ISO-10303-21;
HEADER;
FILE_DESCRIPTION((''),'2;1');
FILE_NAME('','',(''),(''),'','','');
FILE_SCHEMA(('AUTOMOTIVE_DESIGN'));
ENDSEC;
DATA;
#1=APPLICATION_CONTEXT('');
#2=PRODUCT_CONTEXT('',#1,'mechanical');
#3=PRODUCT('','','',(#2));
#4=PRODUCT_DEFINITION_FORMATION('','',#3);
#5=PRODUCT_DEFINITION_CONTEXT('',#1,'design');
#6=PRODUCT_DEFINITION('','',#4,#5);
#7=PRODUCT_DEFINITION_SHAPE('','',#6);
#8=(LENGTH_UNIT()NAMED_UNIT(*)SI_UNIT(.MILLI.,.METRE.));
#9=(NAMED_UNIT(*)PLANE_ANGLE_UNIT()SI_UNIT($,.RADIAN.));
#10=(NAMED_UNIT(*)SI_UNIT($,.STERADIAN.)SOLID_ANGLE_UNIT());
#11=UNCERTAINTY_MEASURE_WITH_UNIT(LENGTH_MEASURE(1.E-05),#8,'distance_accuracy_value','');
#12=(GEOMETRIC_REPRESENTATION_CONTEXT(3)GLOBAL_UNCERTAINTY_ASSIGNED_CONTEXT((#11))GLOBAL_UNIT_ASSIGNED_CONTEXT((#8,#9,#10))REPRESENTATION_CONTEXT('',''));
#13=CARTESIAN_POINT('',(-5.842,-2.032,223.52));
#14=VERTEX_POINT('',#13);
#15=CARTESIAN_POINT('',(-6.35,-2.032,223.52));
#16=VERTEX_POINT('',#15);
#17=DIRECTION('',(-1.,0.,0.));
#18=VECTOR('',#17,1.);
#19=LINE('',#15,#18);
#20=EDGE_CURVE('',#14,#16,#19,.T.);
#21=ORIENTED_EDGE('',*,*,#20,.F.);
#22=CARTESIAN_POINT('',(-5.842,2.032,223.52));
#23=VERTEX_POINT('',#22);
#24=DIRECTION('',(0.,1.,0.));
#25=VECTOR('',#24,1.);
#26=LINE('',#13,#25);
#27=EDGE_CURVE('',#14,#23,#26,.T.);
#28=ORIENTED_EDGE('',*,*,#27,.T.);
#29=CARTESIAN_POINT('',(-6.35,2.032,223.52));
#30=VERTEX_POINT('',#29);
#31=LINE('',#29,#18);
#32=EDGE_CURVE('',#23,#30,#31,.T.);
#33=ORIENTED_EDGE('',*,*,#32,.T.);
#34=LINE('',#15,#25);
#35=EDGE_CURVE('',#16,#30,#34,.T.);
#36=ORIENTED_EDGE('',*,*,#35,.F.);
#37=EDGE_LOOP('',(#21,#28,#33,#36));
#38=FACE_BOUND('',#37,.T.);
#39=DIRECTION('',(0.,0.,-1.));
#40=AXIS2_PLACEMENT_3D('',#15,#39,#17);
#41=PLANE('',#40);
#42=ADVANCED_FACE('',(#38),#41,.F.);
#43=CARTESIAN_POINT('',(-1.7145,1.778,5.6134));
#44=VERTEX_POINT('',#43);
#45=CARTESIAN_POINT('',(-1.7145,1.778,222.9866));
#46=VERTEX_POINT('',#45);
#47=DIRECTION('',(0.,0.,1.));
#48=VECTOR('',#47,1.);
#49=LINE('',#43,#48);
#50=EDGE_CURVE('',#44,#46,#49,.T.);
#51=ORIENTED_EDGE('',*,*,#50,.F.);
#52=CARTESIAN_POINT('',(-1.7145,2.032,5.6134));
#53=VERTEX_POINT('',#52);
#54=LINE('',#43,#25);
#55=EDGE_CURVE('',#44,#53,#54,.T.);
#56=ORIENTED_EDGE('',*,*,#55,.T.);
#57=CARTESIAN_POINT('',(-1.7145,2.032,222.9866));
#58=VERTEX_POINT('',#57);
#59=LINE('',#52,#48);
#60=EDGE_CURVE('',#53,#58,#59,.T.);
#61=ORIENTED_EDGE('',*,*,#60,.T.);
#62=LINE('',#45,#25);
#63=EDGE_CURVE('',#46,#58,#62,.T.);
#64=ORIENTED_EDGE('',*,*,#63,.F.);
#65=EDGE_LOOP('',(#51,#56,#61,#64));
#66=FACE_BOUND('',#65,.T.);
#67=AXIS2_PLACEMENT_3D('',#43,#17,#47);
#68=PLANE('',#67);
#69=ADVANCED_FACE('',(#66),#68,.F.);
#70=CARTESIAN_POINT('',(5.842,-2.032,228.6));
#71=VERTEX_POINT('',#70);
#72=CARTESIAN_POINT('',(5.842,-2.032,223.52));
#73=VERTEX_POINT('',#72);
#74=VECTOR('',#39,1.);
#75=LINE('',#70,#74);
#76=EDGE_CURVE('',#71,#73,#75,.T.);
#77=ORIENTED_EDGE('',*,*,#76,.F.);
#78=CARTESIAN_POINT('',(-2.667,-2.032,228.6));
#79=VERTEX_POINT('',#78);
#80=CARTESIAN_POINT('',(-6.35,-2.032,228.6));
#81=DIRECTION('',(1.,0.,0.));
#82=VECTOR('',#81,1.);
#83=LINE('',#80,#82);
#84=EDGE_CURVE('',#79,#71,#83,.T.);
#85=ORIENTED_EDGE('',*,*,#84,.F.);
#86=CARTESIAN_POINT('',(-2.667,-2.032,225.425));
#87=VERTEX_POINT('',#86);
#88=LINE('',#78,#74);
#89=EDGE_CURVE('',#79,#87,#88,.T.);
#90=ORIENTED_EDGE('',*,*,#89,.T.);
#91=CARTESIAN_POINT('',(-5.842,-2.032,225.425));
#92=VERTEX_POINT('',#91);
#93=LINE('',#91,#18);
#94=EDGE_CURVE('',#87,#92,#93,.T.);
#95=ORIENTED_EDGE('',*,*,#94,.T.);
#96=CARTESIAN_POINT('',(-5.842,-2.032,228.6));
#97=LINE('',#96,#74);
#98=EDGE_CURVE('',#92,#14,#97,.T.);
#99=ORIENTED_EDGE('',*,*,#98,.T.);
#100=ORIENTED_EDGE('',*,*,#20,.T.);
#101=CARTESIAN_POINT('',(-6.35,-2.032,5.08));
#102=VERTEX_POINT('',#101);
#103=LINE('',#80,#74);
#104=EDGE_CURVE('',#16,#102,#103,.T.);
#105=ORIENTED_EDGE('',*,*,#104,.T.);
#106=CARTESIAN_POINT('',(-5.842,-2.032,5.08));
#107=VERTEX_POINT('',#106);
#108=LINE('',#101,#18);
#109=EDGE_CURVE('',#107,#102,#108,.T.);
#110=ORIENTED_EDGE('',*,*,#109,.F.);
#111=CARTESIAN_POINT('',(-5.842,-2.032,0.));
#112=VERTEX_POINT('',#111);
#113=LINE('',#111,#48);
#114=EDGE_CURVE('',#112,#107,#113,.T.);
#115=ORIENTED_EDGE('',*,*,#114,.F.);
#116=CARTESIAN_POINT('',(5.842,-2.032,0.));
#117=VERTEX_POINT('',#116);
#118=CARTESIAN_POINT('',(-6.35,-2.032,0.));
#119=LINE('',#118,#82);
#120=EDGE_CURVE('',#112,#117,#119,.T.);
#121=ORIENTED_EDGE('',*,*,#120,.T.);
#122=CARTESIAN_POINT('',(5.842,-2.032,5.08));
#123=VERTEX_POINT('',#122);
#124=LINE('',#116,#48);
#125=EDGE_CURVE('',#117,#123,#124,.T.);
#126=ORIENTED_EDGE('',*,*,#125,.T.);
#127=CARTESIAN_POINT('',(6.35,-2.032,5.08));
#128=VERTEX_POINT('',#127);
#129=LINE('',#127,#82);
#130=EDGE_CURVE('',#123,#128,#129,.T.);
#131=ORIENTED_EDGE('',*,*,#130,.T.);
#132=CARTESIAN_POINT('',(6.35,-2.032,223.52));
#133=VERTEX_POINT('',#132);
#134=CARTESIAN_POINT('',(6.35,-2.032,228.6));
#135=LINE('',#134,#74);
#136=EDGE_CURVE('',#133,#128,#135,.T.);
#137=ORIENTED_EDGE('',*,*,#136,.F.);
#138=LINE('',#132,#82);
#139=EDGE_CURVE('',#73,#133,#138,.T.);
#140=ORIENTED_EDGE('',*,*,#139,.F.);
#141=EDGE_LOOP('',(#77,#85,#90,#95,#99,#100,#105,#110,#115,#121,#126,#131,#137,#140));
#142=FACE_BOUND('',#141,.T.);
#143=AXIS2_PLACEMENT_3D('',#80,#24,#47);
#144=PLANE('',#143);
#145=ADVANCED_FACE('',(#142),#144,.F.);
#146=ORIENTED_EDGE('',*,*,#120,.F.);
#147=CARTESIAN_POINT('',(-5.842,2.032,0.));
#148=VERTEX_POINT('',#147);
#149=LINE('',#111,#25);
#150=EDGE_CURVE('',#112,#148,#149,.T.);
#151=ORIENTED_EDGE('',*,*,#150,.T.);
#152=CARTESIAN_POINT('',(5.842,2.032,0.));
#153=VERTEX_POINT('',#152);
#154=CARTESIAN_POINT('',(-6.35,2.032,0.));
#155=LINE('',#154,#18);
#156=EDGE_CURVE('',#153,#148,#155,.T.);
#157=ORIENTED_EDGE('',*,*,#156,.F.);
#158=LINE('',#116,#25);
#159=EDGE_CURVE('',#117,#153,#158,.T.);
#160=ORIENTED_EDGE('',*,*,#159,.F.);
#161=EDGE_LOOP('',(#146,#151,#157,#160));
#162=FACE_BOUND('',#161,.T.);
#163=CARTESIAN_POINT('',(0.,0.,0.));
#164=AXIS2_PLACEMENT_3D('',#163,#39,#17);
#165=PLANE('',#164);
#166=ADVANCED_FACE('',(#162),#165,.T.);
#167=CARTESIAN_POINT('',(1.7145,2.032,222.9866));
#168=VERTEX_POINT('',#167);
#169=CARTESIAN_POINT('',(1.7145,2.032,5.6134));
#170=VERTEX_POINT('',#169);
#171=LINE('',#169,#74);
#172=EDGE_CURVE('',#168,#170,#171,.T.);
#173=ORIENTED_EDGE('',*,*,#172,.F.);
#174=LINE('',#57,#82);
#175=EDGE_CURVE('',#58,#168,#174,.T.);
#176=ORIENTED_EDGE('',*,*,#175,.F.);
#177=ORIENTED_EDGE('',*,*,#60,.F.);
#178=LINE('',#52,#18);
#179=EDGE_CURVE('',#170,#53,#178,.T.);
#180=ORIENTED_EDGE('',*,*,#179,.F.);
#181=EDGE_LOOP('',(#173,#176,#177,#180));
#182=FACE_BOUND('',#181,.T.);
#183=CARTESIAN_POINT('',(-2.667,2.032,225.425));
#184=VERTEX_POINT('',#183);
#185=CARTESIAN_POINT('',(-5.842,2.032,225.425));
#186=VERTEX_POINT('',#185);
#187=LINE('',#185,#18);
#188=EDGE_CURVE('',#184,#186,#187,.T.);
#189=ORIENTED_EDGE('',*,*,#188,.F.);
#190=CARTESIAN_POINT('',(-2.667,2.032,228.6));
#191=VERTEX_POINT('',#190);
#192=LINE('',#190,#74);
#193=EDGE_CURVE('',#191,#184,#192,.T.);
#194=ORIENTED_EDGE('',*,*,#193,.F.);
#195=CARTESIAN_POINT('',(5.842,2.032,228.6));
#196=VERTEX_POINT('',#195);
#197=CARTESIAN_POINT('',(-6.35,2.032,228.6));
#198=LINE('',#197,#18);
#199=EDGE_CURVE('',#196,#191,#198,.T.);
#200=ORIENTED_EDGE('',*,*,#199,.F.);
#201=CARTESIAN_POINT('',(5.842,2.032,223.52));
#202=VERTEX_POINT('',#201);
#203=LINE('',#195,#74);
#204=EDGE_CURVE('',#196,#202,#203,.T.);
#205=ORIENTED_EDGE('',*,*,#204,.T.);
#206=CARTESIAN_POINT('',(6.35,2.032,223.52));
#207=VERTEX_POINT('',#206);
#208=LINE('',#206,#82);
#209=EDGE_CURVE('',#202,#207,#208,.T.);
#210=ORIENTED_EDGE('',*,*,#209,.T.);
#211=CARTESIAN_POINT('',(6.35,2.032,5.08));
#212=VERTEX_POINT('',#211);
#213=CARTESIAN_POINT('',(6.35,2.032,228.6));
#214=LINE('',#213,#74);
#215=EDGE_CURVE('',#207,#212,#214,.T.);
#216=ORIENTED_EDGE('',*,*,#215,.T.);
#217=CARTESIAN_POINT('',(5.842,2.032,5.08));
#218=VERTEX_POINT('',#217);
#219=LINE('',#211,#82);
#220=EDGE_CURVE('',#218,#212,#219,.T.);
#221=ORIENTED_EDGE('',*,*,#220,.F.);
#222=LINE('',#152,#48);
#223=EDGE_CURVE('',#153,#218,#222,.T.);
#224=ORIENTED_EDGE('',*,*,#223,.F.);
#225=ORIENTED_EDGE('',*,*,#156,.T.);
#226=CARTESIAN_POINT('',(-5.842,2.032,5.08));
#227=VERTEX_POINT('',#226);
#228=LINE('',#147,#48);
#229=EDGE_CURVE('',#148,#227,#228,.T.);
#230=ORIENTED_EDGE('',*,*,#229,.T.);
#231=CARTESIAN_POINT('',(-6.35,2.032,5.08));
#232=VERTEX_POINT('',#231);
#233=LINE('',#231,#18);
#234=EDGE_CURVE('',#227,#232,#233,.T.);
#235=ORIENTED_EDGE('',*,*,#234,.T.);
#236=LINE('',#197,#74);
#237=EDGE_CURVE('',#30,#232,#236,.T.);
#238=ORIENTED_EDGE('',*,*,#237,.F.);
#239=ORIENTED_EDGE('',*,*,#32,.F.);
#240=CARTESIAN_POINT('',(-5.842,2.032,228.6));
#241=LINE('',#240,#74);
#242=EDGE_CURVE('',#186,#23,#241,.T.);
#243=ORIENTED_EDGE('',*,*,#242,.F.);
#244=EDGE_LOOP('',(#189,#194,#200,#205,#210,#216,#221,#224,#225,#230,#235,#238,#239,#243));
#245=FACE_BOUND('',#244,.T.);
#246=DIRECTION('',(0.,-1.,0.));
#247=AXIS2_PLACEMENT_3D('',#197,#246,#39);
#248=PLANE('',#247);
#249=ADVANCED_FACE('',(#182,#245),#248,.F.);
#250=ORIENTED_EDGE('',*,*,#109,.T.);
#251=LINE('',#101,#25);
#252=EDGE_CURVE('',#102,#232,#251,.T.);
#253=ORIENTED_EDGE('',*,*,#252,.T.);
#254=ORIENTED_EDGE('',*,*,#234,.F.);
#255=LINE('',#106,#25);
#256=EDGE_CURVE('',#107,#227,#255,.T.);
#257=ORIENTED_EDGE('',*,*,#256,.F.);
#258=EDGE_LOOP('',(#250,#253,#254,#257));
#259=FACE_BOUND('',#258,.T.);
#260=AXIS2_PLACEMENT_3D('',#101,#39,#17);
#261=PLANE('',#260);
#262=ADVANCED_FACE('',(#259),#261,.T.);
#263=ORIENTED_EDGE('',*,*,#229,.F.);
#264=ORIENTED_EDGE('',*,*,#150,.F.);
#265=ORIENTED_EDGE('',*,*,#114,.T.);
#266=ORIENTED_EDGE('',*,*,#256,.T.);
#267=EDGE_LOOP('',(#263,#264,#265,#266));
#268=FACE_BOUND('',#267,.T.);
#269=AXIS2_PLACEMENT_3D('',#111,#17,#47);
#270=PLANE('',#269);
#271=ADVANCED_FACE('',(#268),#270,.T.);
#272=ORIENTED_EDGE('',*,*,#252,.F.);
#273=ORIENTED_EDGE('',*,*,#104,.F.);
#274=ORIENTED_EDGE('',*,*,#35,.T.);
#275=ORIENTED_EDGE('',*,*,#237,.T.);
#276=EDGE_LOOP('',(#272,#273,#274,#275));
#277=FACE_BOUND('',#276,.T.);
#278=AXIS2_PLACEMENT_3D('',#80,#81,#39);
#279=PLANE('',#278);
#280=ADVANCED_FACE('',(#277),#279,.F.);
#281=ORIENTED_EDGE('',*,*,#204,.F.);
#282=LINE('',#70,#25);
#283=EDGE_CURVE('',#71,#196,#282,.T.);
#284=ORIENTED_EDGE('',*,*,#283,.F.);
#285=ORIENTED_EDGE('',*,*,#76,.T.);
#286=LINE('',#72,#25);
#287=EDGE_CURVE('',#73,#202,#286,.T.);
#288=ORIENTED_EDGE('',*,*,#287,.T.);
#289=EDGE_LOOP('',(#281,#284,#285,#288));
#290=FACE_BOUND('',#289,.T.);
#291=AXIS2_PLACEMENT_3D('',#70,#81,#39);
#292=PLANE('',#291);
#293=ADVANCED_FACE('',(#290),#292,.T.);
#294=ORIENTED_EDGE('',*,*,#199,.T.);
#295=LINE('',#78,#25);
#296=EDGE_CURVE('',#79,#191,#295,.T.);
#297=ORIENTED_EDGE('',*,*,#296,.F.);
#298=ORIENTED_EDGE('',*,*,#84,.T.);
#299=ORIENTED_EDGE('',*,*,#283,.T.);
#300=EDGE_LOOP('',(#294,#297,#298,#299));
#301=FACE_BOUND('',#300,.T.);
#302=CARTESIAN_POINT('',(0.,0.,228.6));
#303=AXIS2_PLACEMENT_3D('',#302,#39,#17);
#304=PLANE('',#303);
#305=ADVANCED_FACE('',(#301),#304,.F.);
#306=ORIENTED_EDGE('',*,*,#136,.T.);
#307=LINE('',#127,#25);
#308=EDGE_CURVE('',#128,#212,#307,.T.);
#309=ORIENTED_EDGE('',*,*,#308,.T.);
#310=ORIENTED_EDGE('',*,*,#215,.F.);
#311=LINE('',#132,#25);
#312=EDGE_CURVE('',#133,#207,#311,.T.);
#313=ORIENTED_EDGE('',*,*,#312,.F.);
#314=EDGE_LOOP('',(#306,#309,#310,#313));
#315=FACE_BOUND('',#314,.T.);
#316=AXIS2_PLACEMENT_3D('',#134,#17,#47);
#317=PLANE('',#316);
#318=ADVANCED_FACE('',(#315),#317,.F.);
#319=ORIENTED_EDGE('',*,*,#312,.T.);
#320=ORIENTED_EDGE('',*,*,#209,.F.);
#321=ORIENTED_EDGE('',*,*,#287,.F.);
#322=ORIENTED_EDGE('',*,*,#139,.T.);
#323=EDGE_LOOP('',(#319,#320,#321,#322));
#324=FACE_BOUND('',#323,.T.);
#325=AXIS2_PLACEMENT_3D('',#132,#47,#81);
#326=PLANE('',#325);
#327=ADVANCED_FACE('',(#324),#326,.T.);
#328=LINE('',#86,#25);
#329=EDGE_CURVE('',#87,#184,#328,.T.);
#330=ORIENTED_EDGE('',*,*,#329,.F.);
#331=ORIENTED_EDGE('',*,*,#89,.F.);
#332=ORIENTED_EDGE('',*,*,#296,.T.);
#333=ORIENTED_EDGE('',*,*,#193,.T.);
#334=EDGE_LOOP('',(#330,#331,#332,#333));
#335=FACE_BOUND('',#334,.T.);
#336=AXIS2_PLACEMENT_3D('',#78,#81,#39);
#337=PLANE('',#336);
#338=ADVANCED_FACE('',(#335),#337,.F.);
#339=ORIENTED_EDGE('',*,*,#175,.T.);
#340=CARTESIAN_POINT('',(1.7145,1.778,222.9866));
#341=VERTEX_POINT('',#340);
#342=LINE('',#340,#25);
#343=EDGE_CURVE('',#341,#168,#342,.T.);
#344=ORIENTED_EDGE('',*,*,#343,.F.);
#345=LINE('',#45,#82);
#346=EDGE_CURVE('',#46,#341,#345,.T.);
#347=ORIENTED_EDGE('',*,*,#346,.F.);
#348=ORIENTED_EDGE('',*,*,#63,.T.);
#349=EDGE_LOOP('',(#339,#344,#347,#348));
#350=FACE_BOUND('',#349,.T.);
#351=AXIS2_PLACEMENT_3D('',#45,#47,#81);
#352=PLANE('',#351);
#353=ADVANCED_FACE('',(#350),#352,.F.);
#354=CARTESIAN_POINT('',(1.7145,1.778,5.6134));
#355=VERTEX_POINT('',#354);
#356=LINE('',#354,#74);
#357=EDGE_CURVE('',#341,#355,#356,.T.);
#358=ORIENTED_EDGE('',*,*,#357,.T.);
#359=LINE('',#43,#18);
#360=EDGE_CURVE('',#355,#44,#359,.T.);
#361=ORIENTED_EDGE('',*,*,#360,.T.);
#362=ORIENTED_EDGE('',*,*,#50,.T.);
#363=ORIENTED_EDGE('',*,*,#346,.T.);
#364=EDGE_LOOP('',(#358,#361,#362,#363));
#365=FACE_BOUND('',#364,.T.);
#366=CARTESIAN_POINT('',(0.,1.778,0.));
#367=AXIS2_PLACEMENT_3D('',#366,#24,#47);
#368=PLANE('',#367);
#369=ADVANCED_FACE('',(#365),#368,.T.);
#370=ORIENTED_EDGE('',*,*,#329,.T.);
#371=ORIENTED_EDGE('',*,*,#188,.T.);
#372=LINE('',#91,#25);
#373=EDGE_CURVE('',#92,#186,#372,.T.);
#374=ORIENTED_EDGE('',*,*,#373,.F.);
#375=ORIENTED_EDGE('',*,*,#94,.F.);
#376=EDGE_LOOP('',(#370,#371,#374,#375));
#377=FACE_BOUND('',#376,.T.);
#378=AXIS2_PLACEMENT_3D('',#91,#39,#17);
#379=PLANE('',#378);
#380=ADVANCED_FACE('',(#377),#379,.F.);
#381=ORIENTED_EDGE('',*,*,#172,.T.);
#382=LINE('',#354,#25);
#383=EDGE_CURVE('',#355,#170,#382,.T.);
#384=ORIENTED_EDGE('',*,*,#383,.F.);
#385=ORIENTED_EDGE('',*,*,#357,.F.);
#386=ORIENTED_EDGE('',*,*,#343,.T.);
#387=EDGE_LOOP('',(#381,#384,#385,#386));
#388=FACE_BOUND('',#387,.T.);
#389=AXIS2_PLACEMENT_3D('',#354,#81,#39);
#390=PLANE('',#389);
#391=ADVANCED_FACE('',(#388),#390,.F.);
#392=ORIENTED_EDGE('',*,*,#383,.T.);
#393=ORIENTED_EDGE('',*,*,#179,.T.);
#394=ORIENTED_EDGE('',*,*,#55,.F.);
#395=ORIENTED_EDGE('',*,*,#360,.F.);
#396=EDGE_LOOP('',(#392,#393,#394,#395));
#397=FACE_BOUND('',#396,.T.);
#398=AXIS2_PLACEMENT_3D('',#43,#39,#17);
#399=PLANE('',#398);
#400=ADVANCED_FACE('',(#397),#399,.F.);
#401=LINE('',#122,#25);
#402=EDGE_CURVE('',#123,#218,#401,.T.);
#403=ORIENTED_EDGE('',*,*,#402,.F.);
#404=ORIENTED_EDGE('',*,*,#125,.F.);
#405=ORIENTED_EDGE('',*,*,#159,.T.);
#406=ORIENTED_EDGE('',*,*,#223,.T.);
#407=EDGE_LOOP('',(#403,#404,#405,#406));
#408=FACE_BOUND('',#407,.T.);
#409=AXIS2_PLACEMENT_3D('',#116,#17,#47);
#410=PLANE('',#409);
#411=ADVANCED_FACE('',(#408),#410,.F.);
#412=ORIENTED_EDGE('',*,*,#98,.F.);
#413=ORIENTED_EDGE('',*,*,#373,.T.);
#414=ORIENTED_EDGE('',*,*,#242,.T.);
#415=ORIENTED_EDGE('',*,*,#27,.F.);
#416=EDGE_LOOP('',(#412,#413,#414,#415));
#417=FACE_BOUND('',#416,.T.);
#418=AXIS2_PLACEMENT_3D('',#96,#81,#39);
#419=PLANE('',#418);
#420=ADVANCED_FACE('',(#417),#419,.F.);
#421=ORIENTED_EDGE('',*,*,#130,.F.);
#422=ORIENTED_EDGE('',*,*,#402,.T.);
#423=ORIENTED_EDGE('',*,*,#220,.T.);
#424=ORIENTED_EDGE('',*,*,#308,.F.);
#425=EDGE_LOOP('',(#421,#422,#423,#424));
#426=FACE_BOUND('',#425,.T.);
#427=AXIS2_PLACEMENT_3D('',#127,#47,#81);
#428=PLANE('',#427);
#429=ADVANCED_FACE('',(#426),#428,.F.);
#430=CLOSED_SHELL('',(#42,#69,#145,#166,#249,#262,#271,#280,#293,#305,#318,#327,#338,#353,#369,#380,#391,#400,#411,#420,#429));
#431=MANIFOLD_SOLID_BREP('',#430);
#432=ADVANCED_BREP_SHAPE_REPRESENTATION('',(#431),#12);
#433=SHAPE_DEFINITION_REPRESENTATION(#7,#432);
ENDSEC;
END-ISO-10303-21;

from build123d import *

# Parameters (mm, degrees)
SKETCH1_W               = 12.7
SKETCH1_H               = 4.064
BOSS_EXTRUDE1_DEPTH     = 228.6
SKETCH2_W               = 3.429
SKETCH2_H               = 217.3732
CUT_EXTRUDE1_DEPTH      = 0.254
SKETCH3_W               = 0.508
SKETCH3_H               = 5.08
CUT_EXTRUDE2_DEPTH      = 229.724285103
MIRROR2_COPY_1_SKETCH_W = 0.508
MIRROR2_COPY_1_SKETCH_H = 5.08
MIRROR2_COPY_1_DEPTH    = 229.724285103
SKETCH4_W               = 3.175
SKETCH4_H               = 3.175
CUT_EXTRUDE3_DEPTH      = 229.724285103


with BuildPart() as part:
    # Sketch1 → Boss-Extrude1 (new body)
    with BuildSketch(Plane.XY):
        Rectangle(SKETCH1_W, SKETCH1_H)
    extrude(amount=BOSS_EXTRUDE1_DEPTH)

    # Sketch2 → Cut-Extrude1 (cut)
    with BuildSketch(Plane(origin=(0, 2.032, 0), x_dir=(1, 0, 0), z_dir=(0, 1, 0))):
        with Locations((0, -114.3)):
            Rectangle(SKETCH2_W, SKETCH2_H)
    extrude(amount=-CUT_EXTRUDE1_DEPTH, mode=Mode.SUBTRACT)

    # Sketch3 → Cut-Extrude2 (cut, through all)
    with BuildSketch(Plane(origin=(0, 2.032, 0), x_dir=(1, 0, 0), z_dir=(0, 1, 0))):
        with Locations((-6.096, -226.06)):
            Rectangle(SKETCH3_W, SKETCH3_H)
    cut_extrude2 = extrude(amount=-CUT_EXTRUDE2_DEPTH, mode=Mode.SUBTRACT)

    # Mirror1: Cut-Extrude2 across plane
    add(cut_extrude2.mirror(Plane(origin=(0, 0, 114.3), x_dir=(1, 0, 0), z_dir=(0, 0, -1))), mode=Mode.SUBTRACT)

    # Mirror2: Cut-Extrude2 across plane
    add(cut_extrude2.mirror(Plane(origin=(0, 0, 0), x_dir=(0, 0, 1), z_dir=(1, 0, 0))), mode=Mode.SUBTRACT)

    # Mirror2 copy 1 sketch → Mirror2 copy 1 (cut, through all)
    with BuildSketch(Plane(origin=(0, 2.032, 228.6), x_dir=(-1, 0, 0), z_dir=(0, 1, 0))):
        with Locations((-6.096, -226.06)):
            Rectangle(MIRROR2_COPY_1_SKETCH_W, MIRROR2_COPY_1_SKETCH_H)
    extrude(amount=-MIRROR2_COPY_1_DEPTH, mode=Mode.SUBTRACT)

    # Sketch4 → Cut-Extrude3 (cut, through all)
    with BuildSketch(Plane(origin=(0, 2.032, 0), x_dir=(1, 0, 0), z_dir=(0, 1, 0))):
        with Locations((-4.2545, -227.0125)):
            Rectangle(SKETCH4_W, SKETCH4_H)
    extrude(amount=-CUT_EXTRUDE3_DEPTH, mode=Mode.SUBTRACT)


solid = part.part
